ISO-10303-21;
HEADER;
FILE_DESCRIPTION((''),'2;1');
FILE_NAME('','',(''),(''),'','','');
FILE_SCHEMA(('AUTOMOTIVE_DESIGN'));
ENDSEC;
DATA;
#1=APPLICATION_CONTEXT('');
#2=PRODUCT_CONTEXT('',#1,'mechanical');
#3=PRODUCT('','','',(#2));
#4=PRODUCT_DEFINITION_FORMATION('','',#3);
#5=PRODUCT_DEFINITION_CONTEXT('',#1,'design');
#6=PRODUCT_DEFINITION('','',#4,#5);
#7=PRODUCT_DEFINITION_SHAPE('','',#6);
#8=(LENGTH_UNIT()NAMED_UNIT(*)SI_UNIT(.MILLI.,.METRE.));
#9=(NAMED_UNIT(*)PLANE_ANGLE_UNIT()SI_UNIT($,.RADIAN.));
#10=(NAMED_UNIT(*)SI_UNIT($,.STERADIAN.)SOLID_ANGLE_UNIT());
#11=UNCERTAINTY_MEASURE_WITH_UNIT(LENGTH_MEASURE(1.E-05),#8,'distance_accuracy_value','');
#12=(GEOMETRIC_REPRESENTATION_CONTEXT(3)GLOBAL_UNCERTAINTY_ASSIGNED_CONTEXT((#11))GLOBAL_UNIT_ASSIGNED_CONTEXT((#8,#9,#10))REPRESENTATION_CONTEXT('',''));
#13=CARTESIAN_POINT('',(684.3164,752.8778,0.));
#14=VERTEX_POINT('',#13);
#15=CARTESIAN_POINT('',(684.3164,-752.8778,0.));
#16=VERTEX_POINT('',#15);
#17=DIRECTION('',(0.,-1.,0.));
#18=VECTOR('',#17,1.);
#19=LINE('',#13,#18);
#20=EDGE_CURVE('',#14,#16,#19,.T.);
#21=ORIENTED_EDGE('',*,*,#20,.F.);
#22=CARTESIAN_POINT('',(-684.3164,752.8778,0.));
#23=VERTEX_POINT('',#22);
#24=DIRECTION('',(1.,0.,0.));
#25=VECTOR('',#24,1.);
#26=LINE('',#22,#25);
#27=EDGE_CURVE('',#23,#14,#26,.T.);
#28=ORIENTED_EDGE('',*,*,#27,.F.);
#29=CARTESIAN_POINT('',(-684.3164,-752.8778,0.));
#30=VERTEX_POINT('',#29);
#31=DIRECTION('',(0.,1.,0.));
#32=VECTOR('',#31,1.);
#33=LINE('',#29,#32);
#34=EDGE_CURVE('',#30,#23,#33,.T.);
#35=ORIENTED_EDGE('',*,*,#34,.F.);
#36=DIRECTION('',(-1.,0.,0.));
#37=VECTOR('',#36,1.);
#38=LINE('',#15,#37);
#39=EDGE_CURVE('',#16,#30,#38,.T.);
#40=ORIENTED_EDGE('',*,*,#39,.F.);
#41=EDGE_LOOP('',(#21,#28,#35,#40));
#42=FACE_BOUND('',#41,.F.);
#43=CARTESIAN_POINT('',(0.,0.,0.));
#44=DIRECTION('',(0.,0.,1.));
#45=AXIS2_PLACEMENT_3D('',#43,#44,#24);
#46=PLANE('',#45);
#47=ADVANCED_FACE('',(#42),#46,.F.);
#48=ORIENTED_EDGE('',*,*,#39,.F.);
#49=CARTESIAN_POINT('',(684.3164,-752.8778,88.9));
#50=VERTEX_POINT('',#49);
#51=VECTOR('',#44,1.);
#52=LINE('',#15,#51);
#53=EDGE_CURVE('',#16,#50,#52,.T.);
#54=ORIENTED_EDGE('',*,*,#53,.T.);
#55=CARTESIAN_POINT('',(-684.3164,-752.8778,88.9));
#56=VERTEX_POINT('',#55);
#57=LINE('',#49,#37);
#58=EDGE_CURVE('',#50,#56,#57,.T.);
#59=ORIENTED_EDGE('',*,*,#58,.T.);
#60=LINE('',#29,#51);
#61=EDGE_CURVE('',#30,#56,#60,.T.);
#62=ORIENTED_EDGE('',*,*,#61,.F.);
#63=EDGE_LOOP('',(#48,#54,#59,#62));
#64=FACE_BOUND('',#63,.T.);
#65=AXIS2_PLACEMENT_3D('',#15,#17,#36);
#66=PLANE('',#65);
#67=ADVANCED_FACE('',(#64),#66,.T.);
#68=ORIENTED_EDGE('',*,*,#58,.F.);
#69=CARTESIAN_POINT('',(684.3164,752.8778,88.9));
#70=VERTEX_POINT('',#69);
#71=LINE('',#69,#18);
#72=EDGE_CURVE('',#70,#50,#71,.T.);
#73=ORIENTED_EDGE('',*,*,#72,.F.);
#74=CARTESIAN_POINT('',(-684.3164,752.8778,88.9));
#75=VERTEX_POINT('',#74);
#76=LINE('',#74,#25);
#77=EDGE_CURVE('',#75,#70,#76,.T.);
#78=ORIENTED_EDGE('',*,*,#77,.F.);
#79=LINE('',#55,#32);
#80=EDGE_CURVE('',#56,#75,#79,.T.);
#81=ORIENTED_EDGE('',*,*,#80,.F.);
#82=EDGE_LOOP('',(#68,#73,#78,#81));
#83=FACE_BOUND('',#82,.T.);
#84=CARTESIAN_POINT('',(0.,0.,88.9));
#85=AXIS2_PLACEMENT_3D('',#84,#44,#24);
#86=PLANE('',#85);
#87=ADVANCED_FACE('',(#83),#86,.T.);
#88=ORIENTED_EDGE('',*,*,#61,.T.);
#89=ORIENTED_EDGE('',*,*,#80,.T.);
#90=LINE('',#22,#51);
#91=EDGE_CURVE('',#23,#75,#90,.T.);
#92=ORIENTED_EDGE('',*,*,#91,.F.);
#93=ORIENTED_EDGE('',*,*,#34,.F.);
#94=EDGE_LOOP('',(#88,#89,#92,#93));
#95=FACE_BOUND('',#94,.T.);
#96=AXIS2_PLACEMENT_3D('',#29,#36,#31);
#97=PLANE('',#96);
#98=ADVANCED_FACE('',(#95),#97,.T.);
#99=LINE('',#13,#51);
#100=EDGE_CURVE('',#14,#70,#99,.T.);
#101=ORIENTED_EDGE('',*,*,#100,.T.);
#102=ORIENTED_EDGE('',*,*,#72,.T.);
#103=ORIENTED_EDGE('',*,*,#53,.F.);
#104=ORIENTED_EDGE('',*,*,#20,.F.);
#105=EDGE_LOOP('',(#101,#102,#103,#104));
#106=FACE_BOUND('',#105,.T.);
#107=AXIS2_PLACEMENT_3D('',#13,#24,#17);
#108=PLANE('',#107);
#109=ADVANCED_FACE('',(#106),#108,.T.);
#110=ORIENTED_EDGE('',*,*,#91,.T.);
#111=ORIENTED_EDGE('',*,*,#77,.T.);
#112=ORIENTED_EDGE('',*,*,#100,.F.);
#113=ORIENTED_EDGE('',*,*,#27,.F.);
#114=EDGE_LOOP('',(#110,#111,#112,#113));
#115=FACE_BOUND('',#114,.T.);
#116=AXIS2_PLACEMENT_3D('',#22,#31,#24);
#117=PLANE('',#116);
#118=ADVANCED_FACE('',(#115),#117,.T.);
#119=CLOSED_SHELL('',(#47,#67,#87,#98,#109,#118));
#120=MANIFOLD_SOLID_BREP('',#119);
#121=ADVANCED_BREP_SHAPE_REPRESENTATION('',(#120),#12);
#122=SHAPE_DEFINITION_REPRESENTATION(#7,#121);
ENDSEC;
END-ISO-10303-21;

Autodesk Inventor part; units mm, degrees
ref_plane "YZ Plane" through (0, 0, 0) normal (1, 0, 0) x (0, 1, 0)
ref_plane "XZ Plane" through (0, 0, 0) normal (0, 1, 0) x (-1, 0, 0)
ref_plane "XY Plane" through (0, 0, 0) normal (0, 0, 1) x (1, 0, 0)
sketch "Sketch1" plane through (0, 0, 0) normal (0, 0, 1) x (1, 0, 0)
  line L0 (-684.3164, 752.8778) -> (684.3164, 752.8778)
  line L1 (684.3164, 752.8778) -> (684.3164, -752.8778)
  line L2 (684.3164, -752.8778) -> (-684.3164, -752.8778)
  line L3 (-684.3164, -752.8778) -> (-684.3164, 752.8778)
  line L4 (-684.3164, 752.8778) -> (684.3164, -752.8778) construction
  line L5 (684.3164, 752.8778) -> (-684.3164, -752.8778) construction
  point P0 (0, 0)
extrude "Extrusion1" add sketch "Sketch1" along normal blind 88.9
properties part number "Ramp"
